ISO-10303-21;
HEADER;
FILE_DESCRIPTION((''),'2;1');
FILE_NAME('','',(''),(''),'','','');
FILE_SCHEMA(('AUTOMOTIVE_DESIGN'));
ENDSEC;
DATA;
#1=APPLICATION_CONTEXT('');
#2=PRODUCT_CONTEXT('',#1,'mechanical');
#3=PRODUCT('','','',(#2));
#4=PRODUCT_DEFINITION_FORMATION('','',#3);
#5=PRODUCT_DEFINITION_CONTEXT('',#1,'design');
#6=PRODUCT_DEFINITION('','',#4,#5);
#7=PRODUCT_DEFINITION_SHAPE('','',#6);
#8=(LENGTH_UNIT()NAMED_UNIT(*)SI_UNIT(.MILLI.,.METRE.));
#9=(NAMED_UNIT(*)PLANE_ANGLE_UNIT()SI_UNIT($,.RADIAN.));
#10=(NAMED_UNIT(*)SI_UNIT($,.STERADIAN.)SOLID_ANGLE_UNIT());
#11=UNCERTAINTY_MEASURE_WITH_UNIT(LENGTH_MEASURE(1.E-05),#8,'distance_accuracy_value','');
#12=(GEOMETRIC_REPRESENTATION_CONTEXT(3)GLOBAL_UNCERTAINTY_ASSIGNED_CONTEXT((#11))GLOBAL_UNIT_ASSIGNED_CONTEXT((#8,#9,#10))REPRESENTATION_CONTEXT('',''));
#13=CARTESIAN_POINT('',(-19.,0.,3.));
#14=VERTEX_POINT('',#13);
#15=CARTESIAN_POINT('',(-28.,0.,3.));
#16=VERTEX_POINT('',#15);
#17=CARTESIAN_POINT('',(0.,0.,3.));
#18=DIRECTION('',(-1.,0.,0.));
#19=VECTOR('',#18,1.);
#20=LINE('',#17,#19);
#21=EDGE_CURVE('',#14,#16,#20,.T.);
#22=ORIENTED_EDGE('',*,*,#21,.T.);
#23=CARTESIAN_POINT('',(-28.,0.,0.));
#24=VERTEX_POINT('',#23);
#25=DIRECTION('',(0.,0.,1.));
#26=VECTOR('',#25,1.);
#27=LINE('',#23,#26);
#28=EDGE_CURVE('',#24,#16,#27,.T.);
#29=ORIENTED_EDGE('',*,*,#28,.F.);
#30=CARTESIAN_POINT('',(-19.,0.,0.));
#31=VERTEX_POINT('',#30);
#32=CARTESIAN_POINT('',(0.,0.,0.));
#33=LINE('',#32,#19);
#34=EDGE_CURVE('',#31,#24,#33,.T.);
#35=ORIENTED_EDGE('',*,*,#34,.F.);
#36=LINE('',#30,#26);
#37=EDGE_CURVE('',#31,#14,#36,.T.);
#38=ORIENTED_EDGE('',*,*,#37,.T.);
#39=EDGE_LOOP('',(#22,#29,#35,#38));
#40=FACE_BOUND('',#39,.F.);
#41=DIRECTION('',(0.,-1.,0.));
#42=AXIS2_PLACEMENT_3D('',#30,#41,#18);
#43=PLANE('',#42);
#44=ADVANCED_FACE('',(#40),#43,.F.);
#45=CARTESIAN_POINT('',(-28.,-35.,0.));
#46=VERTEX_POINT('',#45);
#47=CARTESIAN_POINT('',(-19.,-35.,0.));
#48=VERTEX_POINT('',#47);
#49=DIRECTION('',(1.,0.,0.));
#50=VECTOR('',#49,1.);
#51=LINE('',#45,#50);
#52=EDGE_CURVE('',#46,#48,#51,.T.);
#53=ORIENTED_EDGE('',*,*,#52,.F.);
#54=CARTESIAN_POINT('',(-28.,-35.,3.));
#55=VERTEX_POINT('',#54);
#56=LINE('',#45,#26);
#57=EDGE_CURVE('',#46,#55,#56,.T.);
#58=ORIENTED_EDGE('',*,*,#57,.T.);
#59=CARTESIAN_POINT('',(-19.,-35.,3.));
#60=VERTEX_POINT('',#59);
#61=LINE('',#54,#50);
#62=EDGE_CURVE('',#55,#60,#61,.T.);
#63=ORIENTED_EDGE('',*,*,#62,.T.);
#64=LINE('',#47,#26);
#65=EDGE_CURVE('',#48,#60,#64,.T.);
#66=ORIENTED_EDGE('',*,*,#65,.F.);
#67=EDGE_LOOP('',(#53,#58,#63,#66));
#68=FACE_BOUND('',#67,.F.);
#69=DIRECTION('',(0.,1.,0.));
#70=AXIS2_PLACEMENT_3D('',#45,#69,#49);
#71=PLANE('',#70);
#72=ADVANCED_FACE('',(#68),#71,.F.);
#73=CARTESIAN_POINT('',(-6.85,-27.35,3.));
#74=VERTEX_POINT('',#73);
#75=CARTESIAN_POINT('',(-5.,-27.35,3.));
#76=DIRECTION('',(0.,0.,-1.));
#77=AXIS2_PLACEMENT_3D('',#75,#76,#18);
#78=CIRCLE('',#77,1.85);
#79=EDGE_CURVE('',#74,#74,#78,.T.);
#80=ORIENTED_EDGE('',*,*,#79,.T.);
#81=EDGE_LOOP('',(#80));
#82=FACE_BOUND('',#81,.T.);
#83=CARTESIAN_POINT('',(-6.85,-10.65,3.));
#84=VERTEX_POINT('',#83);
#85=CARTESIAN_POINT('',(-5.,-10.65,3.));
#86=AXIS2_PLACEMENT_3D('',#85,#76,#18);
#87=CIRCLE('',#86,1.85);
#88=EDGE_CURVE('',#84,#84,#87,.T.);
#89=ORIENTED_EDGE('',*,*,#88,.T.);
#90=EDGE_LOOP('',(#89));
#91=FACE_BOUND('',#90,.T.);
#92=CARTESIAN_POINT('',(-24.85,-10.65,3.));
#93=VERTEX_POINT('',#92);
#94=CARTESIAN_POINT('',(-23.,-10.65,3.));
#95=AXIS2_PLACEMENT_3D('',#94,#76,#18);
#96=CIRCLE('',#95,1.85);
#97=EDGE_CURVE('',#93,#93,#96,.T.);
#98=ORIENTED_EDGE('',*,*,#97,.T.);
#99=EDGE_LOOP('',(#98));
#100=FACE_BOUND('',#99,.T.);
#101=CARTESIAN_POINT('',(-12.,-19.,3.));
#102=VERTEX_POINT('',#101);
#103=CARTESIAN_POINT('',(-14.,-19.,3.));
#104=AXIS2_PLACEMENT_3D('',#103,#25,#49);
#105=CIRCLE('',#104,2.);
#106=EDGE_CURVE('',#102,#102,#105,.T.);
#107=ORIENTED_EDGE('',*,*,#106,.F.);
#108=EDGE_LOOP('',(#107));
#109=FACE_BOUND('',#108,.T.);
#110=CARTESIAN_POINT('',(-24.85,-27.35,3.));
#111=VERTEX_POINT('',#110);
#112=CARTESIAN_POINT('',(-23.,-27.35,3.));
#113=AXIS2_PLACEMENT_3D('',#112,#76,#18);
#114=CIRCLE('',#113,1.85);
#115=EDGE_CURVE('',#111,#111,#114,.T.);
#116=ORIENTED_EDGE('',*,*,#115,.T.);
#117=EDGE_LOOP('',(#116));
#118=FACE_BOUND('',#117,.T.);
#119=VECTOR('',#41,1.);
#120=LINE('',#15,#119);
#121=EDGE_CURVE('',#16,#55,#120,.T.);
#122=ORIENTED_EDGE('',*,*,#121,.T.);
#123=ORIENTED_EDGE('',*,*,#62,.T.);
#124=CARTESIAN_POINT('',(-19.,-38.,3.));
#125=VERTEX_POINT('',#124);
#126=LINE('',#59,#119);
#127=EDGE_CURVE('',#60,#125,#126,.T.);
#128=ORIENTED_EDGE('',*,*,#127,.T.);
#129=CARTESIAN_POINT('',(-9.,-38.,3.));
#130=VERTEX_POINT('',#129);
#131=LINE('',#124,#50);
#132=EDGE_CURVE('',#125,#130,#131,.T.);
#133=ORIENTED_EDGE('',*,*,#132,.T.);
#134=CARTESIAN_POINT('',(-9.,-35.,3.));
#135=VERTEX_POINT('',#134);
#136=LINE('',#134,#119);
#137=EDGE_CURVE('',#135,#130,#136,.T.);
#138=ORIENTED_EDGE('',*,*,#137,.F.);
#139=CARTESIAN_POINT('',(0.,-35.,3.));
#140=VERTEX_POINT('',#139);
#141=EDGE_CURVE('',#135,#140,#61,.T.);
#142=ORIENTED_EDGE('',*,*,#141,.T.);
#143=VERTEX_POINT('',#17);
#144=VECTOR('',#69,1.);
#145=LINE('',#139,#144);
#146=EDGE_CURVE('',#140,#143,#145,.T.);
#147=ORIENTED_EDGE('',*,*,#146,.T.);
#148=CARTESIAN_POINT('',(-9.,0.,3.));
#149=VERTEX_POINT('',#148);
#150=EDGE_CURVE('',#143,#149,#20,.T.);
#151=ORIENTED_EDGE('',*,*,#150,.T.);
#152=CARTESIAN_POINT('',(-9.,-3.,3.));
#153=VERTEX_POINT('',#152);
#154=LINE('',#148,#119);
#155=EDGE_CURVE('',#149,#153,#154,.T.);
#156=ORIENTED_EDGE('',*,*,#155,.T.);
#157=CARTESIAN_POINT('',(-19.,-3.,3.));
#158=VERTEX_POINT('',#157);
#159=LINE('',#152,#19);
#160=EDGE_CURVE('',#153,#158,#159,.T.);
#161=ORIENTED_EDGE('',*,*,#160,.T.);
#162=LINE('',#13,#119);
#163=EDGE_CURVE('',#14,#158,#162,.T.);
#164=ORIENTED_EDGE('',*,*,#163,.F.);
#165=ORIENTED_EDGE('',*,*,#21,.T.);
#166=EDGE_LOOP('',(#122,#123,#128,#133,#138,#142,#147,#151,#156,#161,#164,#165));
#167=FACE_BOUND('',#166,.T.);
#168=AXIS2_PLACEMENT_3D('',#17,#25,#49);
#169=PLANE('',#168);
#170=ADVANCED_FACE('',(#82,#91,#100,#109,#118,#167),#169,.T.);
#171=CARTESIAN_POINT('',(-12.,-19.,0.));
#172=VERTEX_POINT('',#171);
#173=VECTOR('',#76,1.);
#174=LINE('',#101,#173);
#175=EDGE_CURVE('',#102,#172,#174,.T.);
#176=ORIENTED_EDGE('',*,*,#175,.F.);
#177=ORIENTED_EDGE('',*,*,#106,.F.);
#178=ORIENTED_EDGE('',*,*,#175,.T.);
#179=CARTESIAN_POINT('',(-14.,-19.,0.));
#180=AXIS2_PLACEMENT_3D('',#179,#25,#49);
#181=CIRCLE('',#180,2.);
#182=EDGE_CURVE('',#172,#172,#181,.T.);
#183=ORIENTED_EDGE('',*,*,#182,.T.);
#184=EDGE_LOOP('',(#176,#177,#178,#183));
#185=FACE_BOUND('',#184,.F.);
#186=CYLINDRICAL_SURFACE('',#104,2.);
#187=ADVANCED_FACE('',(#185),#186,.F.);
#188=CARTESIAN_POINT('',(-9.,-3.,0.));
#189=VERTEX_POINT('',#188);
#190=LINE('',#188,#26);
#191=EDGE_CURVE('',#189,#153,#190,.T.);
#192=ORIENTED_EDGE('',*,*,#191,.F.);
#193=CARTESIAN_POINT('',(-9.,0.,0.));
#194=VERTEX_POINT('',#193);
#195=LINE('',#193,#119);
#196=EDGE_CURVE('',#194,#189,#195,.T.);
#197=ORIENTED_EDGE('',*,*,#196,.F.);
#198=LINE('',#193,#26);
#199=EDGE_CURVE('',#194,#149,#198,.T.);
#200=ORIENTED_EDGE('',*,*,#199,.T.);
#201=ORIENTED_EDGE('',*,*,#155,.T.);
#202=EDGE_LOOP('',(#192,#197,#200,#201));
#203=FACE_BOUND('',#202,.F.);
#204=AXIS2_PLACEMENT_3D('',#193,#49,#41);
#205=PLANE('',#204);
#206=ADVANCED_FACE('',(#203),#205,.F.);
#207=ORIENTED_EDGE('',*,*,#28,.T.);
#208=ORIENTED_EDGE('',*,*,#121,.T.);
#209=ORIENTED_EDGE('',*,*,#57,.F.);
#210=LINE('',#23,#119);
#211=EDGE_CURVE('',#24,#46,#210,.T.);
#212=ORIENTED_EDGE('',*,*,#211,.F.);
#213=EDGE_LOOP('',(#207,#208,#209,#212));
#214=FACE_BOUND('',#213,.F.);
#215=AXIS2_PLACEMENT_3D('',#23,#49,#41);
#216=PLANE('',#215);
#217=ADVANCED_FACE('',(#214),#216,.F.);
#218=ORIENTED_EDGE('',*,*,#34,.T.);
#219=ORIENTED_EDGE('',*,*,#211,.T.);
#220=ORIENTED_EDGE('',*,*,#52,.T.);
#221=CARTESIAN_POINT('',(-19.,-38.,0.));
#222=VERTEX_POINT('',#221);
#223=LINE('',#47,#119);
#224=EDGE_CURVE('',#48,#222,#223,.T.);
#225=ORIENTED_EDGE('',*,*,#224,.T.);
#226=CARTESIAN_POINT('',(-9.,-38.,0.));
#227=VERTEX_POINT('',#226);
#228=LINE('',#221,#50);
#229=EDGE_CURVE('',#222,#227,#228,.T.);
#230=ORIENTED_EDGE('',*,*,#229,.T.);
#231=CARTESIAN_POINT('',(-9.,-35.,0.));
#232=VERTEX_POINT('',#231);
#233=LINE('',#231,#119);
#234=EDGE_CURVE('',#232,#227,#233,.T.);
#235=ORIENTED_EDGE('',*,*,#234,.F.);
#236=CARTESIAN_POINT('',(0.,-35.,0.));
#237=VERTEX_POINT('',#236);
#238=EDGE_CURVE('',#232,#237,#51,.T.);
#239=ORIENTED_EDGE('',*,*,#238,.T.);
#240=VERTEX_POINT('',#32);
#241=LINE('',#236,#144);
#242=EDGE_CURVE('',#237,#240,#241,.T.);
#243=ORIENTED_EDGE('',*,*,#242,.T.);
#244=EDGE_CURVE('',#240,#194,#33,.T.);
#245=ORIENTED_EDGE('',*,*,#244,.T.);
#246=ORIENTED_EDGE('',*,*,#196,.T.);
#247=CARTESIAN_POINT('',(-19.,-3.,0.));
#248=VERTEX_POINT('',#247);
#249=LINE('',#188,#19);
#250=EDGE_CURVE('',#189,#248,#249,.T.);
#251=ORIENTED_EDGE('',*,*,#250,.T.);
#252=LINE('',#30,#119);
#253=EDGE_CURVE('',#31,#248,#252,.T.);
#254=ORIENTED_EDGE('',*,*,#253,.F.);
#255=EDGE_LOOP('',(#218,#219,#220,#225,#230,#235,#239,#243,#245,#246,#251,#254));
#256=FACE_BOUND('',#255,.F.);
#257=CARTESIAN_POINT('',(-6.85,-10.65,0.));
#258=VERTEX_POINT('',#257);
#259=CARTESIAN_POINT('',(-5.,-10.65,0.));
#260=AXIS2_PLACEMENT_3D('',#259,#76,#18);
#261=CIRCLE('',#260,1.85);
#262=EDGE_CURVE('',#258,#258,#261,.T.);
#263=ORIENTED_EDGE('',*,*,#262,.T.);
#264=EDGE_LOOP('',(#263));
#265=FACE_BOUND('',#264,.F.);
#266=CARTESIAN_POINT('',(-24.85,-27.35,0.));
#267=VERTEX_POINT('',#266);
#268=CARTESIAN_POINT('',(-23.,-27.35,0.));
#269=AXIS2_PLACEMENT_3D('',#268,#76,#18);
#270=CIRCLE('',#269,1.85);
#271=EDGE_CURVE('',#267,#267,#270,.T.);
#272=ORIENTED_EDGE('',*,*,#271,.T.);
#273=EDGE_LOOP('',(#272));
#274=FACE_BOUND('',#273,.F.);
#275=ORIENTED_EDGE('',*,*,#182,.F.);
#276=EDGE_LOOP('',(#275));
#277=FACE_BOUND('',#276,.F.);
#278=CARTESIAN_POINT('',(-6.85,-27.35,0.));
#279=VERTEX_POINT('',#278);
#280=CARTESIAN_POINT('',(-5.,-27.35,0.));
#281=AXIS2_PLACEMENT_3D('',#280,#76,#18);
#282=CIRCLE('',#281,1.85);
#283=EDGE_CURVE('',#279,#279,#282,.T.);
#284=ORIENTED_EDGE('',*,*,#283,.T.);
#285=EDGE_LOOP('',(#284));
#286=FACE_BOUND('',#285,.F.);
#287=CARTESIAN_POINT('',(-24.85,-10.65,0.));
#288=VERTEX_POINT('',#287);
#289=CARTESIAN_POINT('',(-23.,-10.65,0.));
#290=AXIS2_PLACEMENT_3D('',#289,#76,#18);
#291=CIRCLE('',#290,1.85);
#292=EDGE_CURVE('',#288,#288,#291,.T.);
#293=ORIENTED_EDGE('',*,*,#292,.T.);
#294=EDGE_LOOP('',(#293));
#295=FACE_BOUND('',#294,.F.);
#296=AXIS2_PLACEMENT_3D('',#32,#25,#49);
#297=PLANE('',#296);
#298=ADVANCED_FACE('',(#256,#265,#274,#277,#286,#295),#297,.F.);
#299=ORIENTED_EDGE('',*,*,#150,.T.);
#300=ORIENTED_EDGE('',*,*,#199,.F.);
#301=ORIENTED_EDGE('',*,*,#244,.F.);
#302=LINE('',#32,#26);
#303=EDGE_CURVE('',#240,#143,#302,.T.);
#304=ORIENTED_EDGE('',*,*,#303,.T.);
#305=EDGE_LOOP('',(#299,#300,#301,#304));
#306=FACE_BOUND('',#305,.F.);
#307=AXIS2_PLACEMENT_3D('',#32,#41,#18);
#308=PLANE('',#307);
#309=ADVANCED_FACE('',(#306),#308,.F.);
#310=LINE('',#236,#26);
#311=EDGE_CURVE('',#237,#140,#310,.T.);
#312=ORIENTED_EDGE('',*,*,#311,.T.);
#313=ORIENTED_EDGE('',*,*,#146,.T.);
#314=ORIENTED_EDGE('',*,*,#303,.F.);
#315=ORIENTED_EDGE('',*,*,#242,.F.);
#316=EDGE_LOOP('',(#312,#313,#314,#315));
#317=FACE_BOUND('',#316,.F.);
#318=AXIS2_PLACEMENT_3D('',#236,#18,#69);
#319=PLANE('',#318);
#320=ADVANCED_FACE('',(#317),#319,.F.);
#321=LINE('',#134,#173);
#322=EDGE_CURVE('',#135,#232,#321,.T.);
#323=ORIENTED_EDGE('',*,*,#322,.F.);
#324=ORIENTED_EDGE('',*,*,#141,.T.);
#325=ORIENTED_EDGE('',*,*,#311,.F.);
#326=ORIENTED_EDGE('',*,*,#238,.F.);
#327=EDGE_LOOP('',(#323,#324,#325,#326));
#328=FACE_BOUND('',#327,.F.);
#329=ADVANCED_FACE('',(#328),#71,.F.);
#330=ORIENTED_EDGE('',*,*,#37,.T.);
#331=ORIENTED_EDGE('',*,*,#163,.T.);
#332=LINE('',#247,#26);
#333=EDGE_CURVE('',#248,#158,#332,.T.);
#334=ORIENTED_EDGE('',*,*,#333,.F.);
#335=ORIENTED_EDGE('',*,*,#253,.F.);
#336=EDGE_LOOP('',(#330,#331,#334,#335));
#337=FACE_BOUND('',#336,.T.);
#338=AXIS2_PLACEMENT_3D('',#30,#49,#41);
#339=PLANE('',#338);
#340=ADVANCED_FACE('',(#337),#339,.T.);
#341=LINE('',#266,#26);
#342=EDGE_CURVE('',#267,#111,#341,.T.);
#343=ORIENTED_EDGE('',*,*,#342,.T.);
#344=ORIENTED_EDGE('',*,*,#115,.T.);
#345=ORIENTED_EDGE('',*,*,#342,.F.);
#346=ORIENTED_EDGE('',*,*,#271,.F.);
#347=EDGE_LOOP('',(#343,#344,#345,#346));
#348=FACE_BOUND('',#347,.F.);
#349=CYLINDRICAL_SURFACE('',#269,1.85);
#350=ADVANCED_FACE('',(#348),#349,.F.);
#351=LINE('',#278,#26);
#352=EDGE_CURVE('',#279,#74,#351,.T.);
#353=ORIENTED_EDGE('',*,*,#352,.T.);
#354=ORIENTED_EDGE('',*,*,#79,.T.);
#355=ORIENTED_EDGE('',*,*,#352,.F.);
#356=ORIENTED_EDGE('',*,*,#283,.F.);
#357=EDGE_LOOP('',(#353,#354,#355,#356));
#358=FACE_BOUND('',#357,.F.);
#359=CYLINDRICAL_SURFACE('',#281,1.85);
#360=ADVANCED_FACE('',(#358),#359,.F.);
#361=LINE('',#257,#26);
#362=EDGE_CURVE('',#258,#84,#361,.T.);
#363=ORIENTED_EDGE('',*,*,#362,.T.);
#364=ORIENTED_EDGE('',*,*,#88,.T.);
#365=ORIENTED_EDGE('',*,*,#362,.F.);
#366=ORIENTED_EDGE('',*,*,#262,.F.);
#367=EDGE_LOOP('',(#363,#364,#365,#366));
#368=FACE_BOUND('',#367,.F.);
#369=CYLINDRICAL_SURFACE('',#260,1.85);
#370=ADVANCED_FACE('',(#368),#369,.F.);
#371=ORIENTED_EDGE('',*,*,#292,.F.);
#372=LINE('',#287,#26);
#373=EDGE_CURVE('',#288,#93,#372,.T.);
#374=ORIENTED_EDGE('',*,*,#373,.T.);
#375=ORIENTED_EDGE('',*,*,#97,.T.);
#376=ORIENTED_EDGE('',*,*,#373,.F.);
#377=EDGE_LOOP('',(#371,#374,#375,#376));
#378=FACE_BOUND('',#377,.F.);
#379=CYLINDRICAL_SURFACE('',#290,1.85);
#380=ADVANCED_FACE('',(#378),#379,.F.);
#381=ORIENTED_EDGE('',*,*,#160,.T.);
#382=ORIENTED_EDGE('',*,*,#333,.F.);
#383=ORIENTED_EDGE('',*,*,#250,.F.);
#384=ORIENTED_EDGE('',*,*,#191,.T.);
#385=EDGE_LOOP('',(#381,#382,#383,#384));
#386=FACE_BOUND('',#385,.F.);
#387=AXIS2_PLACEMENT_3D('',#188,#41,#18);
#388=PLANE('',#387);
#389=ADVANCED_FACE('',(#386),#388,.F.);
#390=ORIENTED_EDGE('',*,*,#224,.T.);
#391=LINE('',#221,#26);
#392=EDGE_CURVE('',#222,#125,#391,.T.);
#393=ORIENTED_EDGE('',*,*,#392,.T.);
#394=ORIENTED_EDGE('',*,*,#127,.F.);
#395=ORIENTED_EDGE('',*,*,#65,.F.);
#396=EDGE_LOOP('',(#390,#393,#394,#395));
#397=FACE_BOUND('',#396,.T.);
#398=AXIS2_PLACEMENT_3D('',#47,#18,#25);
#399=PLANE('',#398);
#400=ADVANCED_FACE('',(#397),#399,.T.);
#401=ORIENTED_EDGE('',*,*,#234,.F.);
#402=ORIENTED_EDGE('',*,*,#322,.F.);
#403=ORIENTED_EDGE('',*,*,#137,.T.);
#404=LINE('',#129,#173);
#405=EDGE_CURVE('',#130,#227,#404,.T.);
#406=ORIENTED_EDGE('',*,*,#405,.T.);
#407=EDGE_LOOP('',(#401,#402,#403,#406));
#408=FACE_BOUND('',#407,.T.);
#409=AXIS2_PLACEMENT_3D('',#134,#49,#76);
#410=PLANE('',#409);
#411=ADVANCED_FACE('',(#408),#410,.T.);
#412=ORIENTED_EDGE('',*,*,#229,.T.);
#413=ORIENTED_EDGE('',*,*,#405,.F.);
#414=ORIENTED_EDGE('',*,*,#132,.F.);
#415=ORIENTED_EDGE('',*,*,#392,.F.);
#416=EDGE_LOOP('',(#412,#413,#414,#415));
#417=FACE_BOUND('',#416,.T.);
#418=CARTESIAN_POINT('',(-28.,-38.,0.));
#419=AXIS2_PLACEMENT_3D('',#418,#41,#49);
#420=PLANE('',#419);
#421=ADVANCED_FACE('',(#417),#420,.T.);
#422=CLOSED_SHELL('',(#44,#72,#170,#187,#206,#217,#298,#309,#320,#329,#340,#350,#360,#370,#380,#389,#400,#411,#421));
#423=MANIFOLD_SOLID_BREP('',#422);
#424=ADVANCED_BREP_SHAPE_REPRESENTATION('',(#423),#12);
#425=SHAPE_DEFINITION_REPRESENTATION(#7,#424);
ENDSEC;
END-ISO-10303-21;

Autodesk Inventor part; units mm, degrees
ref_plane "YZ Plane" through (0, 0, 0) normal (1, 0, 0) x (0, 1, 0)
ref_plane "XZ Plane" through (0, 0, 0) normal (0, 1, 0) x (-1, 0, 0)
ref_plane "XY Plane" through (0, 0, 0) normal (0, 0, 1) x (1, 0, 0)
sketch "Sketch1" plane through (0, 0, 0) normal (0, 0, 1) x (1, 0, 0)
  line L0 (-9, 0) -> (0, 0) construction
  line L1 (-19, 0) -> (-9, 0) construction
  line L2 (-28, 0) -> (-19, 0) construction
  line L3 (0, 0) -> (-28, 0)
  line L4 (-28, 0) -> (-28, -35)
  line L5 (-28, -35) -> (0, -35)
  line L6 (0, -35) -> (0, 0)
  line L7 (-19, 0) -> (-9, 0) projected
  line L8 (-19, 0) -> (-19, -3) projected
  line L9 (-9, -3) -> (-19, -3) projected
  line L10 (-9, 0) -> (-9, -3) projected
  dimension "d0" = 35
extrude "Extrusion1" add sketch "Sketch1" along normal blind 3 contours L6 L5 L4 L3 L8 L9 L10
sketch "Sketch2" plane through (0, 0, 0) normal (0, 0, -1) x (-1, 0, 0)
  arc A0 (6.85, -9.25) -> (3.15, -9.25) centre (5, -9.25) ccw construction
  line L0 (6.85, -9.25) -> (6.85, -12.05) construction
  arc A1 (3.15, -12.05) -> (6.85, -12.05) centre (5, -12.05) ccw construction
  line L1 (3.15, -12.05) -> (3.15, -9.25) construction
  line L2 (21.15, -12.05) -> (21.15, -9.25) construction
  arc A2 (21.15, -12.05) -> (24.85, -12.05) centre (23, -12.05) ccw construction
  line L3 (24.85, -9.25) -> (24.85, -12.05) construction
  arc A3 (24.85, -9.25) -> (21.15, -9.25) centre (23, -9.25) ccw construction
  line L4 (5, -12.05) -> (5, -9.25) construction
  line L5 (5, -10.65) -> (3.15, -10.65) construction
  line L6 (23, -12.05) -> (23, -9.25) construction
  line L7 (23, -10.65) -> (21.15, -10.65) construction
  circle A4 centre (5, -10.65) radius 1.85
  circle A5 centre (23, -10.65) radius 1.85
  point P0 (0, 0)
extrude "Extrusion2" cut sketch "Sketch2" against normal blind 6.175
sketch "Sketch3" plane through (0, 0, 3) normal (0, 0, 1) x (1, 0, 0)
  line L0 (-9, -3) -> (-19, -3) projected
  line L1 (-28, -35) -> (0, -35) projected
  line L2 (-14, -3) -> (-14, -35) construction
  line L3 (-28, -35) -> (0, -35) construction
  line L4 (-14, -19) -> (0, -19) construction
  line L5 (0, -35) -> (0, 0) construction
  circle A0 centre (-14, -19) radius 2
  dimension "d5" = 4
extrude "Extrusion3" cut sketch "Sketch3" against normal blind 6.175
sketch "Sketch4" plane through (-28, -35, 0) normal (0, -1, 0) x (1, 0, 0)
  line L0 (9, 3) -> (19, 3) projected
  line L1 (19, 3) -> (19, 0) projected
  line L2 (9, 0) -> (19, 0) projected
  line L3 (9, 0) -> (9, 3) projected
  point P0 (28, 0)
extrude "Extrusion4" add sketch "Sketch4" along normal blind 3
sketch "Sketch5" plane through (0, 0, 0) normal (0, 0, -1) x (-1, 0, 0)
  arc A0 (6.85, -25.95) -> (3.15, -25.95) centre (5, -25.95) ccw construction
  line L0 (6.85, -25.95) -> (6.85, -28.75) construction
  arc A1 (3.15, -28.75) -> (6.85, -28.75) centre (5, -28.75) ccw construction
  line L1 (3.15, -28.75) -> (3.15, -25.95) construction
  arc A2 (1, -20.4) -> (0, -21.4) centre (1, -21.4) ccw construction
  line L2 (0, -21.4) -> (0, -34) construction
  line L3 (0, -34) -> (10, -34) construction
  line L4 (10, -34) -> (10, -21.4) construction
  arc A3 (10, -21.4) -> (9, -20.4) centre (9, -21.4) ccw construction
  line L5 (9, -20.4) -> (1, -20.4) construction
  arc A4 (24.85, -25.95) -> (21.15, -25.95) centre (23, -25.95) ccw construction
  line L6 (24.85, -25.95) -> (24.85, -28.75) construction
  arc A5 (21.15, -28.75) -> (24.85, -28.75) centre (23, -28.75) ccw construction
  line L7 (21.15, -28.75) -> (21.15, -25.95) construction
  arc A6 (19, -20.4) -> (18, -21.4) centre (19, -21.4) ccw construction
  line L8 (18, -21.4) -> (18, -34) construction
  line L9 (18, -34) -> (28, -34) construction
  line L10 (28, -34) -> (28, -21.4) construction
  arc A7 (28, -21.4) -> (27, -20.4) centre (27, -21.4) ccw construction
  line L11 (27, -20.4) -> (19, -20.4) construction
  line L12 (5, -28.75) -> (5, -25.95) construction
  line L13 (23, -28.75) -> (23, -25.95) construction
  circle A8 centre (5, -27.35) radius 1.85
  circle A9 centre (23, -27.35) radius 1.85
  point P0 (0, 0)
extrude "Extrusion5" cut sketch "Sketch5" against normal blind 3
properties part number "Camera mount side bars"
